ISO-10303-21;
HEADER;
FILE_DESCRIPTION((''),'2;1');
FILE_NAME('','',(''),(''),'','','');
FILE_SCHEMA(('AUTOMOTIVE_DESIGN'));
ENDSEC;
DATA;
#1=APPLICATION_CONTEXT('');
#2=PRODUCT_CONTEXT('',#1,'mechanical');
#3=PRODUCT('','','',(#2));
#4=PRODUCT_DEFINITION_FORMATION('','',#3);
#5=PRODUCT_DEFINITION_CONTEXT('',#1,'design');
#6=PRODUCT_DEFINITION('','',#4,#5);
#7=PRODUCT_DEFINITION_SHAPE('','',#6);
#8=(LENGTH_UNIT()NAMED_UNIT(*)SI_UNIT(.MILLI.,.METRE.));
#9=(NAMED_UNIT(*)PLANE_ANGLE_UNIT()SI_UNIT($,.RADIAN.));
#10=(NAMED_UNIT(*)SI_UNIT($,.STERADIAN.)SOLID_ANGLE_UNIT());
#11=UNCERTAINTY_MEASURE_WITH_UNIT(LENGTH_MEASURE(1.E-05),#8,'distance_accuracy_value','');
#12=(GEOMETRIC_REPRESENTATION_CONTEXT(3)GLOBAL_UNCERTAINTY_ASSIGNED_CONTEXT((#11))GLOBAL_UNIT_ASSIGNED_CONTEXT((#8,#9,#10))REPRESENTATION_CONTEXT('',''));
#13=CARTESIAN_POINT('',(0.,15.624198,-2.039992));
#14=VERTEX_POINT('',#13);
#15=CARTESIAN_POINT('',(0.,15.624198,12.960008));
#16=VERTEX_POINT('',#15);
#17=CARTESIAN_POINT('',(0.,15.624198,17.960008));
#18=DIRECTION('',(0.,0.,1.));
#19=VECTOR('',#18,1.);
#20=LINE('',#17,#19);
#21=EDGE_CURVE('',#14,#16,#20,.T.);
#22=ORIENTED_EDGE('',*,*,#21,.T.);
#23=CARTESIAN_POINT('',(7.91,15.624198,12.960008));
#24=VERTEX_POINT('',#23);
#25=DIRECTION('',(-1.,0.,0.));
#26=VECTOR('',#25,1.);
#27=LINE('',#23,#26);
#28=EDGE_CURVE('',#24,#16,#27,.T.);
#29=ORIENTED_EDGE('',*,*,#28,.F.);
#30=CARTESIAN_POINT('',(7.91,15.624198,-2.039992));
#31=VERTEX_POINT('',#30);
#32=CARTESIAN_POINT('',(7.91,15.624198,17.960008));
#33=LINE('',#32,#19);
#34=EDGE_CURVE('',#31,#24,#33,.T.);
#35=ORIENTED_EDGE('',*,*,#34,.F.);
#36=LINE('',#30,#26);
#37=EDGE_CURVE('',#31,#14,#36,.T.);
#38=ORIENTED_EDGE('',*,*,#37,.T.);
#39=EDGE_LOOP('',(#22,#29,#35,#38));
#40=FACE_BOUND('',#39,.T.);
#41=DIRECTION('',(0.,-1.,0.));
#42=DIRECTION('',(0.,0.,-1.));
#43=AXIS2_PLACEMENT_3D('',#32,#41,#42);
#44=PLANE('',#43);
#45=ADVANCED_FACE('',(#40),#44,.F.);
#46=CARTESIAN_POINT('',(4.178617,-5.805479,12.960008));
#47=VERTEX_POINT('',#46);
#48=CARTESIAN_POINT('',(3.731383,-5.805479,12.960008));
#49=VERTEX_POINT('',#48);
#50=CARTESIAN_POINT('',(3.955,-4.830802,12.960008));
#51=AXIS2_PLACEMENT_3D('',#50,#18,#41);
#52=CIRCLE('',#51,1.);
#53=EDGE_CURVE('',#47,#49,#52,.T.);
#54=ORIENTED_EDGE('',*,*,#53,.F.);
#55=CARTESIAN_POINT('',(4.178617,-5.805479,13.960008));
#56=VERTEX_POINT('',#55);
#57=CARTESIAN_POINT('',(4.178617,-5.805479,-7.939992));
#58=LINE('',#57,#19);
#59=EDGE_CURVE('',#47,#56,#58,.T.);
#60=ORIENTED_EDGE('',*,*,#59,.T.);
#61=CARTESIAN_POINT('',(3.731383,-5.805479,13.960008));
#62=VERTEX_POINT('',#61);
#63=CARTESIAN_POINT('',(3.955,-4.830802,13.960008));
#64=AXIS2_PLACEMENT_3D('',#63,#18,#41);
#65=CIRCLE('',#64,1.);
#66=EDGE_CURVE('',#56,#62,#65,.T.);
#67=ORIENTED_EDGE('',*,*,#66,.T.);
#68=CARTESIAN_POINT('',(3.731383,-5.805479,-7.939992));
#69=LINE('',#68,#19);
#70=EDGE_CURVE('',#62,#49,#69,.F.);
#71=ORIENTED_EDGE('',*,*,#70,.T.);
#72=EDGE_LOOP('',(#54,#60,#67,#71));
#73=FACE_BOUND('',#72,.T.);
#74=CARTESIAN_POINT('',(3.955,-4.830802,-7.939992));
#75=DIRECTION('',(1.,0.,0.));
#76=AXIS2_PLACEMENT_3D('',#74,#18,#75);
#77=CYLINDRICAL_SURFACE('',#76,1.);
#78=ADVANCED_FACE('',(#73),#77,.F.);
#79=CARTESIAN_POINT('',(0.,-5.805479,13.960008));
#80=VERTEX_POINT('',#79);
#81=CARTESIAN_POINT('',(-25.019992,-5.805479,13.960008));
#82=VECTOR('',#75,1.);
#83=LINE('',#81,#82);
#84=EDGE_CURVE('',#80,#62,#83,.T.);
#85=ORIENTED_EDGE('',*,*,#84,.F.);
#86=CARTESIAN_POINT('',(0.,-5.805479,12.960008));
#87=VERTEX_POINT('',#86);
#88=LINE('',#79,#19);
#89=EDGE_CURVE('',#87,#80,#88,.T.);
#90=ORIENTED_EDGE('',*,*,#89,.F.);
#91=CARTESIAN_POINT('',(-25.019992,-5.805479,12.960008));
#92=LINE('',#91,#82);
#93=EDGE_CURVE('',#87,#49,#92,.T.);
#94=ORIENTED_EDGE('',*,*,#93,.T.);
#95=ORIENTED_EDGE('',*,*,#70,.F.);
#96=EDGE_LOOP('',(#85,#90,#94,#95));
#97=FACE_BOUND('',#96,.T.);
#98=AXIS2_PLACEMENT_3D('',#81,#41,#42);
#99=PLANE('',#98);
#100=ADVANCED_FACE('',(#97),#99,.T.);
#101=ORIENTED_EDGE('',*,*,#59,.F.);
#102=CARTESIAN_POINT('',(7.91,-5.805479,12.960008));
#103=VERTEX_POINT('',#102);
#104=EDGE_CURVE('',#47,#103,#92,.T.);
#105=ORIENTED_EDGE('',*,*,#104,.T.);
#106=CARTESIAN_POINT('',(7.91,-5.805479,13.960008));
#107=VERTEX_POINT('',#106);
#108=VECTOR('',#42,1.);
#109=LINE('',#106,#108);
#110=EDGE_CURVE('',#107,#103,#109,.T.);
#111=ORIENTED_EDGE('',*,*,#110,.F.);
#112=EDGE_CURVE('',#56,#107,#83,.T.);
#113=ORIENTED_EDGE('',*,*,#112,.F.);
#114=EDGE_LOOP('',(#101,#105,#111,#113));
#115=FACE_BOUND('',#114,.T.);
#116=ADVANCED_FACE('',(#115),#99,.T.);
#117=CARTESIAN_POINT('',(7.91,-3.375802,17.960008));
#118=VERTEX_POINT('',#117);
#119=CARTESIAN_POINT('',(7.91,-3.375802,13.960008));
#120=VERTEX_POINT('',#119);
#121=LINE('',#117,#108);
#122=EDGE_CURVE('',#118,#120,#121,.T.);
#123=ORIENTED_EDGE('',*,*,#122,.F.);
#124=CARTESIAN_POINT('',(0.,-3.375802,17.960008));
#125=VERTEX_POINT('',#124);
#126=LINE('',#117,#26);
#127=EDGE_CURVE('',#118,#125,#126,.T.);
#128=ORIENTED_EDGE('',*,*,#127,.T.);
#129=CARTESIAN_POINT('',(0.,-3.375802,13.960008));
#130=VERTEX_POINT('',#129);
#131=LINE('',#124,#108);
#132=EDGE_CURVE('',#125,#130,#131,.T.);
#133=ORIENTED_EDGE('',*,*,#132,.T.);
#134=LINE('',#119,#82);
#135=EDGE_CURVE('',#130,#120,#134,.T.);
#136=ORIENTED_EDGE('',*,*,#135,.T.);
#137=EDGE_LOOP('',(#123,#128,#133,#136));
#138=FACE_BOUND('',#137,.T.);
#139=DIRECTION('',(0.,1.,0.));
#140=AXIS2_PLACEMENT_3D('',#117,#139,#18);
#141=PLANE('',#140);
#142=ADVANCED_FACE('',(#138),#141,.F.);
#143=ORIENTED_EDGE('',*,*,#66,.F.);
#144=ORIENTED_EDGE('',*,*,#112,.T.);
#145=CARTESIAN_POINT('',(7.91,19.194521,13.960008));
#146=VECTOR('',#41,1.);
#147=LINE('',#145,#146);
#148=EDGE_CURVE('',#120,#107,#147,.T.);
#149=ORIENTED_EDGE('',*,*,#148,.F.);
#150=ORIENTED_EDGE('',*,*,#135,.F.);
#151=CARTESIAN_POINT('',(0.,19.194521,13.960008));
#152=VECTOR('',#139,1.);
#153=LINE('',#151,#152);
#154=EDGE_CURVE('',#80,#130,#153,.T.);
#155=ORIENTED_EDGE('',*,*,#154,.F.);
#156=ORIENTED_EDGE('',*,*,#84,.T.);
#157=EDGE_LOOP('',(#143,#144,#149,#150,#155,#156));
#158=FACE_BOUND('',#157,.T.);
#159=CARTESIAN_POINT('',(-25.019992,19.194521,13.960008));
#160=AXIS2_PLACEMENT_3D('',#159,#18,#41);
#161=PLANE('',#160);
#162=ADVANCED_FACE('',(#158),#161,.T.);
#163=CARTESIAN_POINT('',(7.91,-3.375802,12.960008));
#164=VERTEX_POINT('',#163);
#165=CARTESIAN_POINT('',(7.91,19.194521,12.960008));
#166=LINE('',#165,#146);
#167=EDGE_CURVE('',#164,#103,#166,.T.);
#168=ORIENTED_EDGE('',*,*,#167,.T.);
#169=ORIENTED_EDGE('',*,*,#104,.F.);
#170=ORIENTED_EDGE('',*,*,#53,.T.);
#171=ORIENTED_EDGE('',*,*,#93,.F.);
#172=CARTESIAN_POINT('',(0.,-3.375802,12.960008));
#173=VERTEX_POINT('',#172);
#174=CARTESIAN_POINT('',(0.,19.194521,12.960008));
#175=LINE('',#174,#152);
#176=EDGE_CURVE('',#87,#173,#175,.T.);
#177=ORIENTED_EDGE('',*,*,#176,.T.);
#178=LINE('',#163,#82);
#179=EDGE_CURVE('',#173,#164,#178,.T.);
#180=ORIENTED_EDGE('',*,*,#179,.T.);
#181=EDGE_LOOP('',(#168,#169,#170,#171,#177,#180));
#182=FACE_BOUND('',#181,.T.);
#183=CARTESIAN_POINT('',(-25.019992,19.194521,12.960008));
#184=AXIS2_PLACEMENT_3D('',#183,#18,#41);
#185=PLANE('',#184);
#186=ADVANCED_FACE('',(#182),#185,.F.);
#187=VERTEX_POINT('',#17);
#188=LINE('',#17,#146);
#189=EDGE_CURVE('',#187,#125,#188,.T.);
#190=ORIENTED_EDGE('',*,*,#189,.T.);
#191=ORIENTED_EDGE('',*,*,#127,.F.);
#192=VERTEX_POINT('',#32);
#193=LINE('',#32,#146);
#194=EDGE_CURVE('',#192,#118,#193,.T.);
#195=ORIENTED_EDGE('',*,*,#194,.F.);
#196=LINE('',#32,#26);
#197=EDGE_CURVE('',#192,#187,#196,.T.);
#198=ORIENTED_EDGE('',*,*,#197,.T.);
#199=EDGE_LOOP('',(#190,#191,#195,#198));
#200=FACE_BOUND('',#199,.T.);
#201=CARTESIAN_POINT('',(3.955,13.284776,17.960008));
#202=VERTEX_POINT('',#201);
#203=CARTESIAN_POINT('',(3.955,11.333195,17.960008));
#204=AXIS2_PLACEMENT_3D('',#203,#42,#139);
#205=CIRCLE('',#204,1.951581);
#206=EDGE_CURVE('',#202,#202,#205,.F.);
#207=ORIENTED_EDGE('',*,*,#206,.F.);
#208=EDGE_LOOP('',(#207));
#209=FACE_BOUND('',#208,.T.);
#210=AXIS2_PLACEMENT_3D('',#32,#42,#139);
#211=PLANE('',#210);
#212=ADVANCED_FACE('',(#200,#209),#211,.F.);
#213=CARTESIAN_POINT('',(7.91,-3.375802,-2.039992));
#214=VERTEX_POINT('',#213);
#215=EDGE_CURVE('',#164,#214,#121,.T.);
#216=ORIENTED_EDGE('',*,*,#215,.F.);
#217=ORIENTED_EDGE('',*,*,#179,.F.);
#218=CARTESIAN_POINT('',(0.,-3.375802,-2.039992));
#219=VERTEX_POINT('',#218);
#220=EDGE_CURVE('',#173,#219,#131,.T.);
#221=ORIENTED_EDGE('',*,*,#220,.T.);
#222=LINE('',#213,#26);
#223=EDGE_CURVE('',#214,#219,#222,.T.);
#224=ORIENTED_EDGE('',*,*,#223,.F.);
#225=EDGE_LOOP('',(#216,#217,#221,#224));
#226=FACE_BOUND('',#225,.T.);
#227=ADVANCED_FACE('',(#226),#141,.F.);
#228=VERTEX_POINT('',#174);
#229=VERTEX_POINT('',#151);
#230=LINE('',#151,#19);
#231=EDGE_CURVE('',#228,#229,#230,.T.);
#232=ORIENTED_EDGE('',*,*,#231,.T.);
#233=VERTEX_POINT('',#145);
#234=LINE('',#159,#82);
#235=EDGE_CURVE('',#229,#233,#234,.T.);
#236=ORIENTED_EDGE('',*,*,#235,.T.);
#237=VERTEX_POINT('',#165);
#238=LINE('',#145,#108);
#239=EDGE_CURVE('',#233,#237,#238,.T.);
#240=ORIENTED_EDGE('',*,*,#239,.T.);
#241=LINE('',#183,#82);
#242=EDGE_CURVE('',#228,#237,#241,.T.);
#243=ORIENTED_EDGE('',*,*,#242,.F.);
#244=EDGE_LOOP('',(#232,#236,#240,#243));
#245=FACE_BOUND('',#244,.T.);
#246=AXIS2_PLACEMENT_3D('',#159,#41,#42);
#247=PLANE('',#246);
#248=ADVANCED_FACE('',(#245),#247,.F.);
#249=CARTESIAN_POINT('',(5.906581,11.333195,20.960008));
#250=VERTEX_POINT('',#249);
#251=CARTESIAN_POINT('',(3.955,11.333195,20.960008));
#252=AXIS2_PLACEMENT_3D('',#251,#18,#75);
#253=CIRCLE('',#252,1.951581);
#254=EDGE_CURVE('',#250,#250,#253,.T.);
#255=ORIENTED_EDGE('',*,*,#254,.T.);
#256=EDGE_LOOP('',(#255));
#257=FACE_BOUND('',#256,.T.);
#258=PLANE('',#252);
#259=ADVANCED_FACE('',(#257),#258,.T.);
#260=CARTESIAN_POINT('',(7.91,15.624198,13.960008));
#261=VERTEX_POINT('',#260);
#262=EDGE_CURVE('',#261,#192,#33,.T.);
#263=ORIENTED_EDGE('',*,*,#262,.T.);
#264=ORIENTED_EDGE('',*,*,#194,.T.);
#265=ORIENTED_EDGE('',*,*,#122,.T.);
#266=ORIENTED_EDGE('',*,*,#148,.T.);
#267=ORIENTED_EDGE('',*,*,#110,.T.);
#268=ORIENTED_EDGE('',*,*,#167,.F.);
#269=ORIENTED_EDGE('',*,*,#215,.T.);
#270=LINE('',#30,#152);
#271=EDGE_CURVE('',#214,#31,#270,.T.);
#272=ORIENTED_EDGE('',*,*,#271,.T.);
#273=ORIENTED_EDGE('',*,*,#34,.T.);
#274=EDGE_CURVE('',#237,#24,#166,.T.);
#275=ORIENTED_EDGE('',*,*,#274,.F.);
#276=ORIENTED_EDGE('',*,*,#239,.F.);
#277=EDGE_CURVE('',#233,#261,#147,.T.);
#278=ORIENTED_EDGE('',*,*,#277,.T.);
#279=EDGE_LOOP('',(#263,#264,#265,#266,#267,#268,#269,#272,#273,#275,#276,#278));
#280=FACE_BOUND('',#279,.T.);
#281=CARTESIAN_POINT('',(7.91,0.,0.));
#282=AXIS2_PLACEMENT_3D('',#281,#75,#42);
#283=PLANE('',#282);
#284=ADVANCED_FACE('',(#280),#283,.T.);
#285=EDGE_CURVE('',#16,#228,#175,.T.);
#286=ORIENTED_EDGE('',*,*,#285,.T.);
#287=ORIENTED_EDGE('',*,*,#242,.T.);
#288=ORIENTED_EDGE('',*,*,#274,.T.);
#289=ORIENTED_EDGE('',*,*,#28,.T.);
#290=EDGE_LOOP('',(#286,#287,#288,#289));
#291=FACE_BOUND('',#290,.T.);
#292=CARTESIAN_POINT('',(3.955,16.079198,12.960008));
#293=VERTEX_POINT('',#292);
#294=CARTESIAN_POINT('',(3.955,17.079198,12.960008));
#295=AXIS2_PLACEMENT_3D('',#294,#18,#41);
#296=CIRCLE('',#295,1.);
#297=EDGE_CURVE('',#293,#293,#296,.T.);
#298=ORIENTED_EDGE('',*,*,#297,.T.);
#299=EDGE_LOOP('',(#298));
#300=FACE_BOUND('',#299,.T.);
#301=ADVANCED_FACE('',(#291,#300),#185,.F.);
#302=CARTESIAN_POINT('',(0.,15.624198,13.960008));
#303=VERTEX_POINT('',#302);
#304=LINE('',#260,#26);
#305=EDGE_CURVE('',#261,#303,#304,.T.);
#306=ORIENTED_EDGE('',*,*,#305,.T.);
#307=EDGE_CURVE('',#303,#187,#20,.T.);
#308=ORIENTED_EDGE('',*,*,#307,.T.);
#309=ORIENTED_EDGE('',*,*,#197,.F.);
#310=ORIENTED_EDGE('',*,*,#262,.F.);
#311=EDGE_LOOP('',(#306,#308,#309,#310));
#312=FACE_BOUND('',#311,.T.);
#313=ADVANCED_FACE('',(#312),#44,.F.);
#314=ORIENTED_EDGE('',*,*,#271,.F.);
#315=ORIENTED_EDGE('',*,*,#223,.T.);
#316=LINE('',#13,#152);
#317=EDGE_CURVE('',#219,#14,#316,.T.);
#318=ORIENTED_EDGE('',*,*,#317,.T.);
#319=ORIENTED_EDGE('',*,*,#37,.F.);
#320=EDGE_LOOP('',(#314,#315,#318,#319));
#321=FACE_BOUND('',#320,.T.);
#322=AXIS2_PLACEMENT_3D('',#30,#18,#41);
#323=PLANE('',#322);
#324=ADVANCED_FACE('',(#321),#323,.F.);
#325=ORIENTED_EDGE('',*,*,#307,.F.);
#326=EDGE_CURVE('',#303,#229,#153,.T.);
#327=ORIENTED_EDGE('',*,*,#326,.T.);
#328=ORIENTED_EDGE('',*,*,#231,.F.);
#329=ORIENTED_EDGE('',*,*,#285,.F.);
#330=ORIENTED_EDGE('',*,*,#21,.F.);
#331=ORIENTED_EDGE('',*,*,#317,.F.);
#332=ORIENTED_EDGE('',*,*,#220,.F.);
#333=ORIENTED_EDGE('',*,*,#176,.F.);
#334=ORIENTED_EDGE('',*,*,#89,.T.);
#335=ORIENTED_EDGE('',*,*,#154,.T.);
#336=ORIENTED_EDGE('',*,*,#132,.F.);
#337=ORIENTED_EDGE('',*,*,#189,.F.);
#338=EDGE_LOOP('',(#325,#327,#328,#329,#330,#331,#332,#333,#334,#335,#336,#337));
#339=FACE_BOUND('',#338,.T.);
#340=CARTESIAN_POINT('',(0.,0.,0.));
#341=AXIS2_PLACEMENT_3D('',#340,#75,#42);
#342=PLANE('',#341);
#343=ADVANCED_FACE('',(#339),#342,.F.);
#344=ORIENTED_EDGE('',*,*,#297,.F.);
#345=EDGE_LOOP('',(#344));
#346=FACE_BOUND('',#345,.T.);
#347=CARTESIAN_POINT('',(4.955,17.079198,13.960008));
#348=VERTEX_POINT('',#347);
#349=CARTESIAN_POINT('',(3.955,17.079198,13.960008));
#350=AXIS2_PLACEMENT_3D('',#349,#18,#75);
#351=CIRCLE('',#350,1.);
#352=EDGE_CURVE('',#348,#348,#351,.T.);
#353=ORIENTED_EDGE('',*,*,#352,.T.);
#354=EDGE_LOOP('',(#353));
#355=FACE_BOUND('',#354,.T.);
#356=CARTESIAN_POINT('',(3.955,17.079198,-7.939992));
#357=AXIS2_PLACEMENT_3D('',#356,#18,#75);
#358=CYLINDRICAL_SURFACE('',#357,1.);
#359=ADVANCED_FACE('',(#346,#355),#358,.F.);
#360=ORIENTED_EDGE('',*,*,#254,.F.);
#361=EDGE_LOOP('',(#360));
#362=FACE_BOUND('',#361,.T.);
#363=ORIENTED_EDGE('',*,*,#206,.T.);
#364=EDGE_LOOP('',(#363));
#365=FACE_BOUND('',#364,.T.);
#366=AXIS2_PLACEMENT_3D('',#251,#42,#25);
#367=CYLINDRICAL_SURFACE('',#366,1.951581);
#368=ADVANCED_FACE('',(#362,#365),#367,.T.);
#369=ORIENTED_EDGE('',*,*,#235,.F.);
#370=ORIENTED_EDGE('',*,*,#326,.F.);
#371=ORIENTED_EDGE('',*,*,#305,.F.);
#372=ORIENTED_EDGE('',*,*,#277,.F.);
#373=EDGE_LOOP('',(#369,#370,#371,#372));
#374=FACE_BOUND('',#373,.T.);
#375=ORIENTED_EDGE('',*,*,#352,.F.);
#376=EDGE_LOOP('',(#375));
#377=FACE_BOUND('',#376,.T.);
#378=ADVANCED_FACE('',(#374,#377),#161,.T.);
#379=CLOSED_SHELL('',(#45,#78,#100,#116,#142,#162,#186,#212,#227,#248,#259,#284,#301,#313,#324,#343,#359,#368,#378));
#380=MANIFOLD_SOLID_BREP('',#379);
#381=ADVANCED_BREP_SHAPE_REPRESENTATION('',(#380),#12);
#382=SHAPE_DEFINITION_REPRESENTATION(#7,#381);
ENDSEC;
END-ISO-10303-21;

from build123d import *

# Parameters (mm, degrees)
SKETCH1_W           = 20
SKETCH1_H           = 19
BOSS_EXTRUDE1_DEPTH = 7.91
SKETCH2_W           = 1
SKETCH2_H           = 25
BOSS_EXTRUDE2_DEPTH = 7.91
SKETCH3_R           = 1
CUT_EXTRUDE1_DEPTH  = 21.9
SKETCH4_R           = 1.951580775
BOSS_EXTRUDE3_DEPTH = 3


with BuildPart() as part:
    # Sketch1 → Boss-Extrude1 (new body)
    with BuildSketch(Plane(origin=(0, 0, 0), x_dir=(0, 0, -1), z_dir=(1, 0, 0))):
        with Locations((-7.960008023, 6.124197801)):
            Rectangle(SKETCH1_W, SKETCH1_H)
    extrude(amount=BOSS_EXTRUDE1_DEPTH)

    # Sketch2 → Boss-Extrude2 (add)
    with BuildSketch(Plane(origin=(7.91, 0, 0), x_dir=(0, 0, -1), z_dir=(1, 0, 0))):
        with Locations((-13.460008023, 6.694520813)):
            Rectangle(SKETCH2_W, SKETCH2_H)
    extrude(amount=-BOSS_EXTRUDE2_DEPTH)

    # Sketch3 → Cut-Extrude1 (cut)
    with BuildSketch(Plane.XY.offset(13.960008023)):
        with Locations((3.955, 17.079197801)):
            Circle(SKETCH3_R)
        with Locations((3.955, -4.830802199)):
            Circle(SKETCH3_R)
    extrude(amount=-CUT_EXTRUDE1_DEPTH, mode=Mode.SUBTRACT)

    # Sketch4 → Boss-Extrude3 (add)
    with BuildSketch(Plane.XY.offset(17.960008023)):
        with Locations((3.955, 11.333194866)):
            Circle(SKETCH4_R)
    extrude(amount=BOSS_EXTRUDE3_DEPTH)


solid = part.part
